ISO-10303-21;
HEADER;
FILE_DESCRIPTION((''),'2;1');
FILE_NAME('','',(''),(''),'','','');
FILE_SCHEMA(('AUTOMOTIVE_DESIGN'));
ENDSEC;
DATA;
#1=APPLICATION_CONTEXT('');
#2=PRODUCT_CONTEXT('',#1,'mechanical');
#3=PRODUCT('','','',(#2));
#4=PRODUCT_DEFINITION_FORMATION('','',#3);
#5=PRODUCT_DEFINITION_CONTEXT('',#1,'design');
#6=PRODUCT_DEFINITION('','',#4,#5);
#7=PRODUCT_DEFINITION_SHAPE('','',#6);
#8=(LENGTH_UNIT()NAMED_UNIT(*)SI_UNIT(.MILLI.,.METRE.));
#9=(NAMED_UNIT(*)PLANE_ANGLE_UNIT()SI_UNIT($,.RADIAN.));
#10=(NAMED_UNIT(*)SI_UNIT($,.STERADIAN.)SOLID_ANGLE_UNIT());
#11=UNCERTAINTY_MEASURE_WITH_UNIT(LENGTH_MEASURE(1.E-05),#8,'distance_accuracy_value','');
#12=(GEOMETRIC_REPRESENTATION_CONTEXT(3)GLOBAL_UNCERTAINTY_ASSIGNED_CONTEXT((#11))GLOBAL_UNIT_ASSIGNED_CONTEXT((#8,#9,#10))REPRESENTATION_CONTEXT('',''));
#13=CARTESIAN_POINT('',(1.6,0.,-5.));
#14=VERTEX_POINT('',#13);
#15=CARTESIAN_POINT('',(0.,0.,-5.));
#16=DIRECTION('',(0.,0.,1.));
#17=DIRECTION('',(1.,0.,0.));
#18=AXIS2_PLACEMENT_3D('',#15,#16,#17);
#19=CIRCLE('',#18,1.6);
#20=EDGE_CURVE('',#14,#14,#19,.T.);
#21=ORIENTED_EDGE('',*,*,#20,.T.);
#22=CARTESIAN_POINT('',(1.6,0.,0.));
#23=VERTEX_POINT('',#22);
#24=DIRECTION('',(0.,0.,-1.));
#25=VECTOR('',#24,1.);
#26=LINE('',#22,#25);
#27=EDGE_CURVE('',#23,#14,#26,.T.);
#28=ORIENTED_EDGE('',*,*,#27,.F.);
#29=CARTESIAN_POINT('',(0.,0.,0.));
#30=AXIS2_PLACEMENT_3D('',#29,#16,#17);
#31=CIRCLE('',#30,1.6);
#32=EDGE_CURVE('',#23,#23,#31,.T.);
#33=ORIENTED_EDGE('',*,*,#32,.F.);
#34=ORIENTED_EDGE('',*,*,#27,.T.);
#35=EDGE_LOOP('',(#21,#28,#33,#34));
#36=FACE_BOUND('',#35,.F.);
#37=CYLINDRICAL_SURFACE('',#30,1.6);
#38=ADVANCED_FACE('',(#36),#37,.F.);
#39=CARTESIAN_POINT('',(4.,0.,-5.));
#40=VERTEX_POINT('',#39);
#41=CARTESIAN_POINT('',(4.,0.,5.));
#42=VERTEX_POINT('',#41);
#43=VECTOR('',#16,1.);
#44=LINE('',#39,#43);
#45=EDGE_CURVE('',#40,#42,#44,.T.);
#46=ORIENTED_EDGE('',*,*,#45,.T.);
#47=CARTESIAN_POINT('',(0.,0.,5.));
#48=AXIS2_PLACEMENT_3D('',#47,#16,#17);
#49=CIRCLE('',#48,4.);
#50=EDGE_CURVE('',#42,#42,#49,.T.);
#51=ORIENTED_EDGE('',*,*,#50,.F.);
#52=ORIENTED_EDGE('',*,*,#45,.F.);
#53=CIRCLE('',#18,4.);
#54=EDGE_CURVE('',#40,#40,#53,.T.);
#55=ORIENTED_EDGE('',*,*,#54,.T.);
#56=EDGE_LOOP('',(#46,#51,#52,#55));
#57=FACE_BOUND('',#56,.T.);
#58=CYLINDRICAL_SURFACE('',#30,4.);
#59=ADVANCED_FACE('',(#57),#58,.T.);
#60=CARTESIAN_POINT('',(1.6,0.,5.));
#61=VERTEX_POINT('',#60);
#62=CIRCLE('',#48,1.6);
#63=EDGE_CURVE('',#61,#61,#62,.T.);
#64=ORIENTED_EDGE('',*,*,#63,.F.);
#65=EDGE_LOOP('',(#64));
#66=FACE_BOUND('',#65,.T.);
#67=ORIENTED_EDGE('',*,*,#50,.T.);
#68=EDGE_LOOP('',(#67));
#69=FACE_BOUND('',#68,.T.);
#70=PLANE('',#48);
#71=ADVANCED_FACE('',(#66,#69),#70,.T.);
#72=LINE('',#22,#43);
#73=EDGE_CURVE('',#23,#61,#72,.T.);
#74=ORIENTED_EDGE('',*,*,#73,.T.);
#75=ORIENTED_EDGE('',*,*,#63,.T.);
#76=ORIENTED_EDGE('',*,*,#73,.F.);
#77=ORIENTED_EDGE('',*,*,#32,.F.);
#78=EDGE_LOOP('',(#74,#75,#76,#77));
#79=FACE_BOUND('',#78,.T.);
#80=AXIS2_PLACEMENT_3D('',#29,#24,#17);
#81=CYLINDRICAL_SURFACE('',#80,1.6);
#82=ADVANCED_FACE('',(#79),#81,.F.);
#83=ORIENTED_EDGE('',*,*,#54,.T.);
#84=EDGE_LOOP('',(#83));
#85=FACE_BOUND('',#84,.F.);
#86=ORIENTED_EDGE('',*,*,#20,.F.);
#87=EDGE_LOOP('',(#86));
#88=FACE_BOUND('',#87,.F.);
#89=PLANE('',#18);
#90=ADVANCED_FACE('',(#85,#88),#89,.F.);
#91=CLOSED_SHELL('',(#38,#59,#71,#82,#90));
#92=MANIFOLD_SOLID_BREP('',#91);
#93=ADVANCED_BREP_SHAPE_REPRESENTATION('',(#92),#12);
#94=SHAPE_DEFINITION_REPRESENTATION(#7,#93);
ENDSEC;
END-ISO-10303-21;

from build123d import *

# Parameters (mm, degrees)
SKETCH1_R           = 4
SKETCH1_R_2         = 1.6
EXTRUDE1_DEPTH      = 5
EXTRUDE1_DEPTH_BACK = 5


with BuildPart() as part:
    # Sketch1 → Extrude1 (new body, two sides)
    with BuildSketch(Plane.XY) as extrude1_sk:
        Circle(SKETCH1_R)
        Circle(SKETCH1_R_2, mode=Mode.SUBTRACT)
    extrude(amount=EXTRUDE1_DEPTH)
    extrude(extrude1_sk.sketch, amount=-EXTRUDE1_DEPTH_BACK)


solid = part.part
